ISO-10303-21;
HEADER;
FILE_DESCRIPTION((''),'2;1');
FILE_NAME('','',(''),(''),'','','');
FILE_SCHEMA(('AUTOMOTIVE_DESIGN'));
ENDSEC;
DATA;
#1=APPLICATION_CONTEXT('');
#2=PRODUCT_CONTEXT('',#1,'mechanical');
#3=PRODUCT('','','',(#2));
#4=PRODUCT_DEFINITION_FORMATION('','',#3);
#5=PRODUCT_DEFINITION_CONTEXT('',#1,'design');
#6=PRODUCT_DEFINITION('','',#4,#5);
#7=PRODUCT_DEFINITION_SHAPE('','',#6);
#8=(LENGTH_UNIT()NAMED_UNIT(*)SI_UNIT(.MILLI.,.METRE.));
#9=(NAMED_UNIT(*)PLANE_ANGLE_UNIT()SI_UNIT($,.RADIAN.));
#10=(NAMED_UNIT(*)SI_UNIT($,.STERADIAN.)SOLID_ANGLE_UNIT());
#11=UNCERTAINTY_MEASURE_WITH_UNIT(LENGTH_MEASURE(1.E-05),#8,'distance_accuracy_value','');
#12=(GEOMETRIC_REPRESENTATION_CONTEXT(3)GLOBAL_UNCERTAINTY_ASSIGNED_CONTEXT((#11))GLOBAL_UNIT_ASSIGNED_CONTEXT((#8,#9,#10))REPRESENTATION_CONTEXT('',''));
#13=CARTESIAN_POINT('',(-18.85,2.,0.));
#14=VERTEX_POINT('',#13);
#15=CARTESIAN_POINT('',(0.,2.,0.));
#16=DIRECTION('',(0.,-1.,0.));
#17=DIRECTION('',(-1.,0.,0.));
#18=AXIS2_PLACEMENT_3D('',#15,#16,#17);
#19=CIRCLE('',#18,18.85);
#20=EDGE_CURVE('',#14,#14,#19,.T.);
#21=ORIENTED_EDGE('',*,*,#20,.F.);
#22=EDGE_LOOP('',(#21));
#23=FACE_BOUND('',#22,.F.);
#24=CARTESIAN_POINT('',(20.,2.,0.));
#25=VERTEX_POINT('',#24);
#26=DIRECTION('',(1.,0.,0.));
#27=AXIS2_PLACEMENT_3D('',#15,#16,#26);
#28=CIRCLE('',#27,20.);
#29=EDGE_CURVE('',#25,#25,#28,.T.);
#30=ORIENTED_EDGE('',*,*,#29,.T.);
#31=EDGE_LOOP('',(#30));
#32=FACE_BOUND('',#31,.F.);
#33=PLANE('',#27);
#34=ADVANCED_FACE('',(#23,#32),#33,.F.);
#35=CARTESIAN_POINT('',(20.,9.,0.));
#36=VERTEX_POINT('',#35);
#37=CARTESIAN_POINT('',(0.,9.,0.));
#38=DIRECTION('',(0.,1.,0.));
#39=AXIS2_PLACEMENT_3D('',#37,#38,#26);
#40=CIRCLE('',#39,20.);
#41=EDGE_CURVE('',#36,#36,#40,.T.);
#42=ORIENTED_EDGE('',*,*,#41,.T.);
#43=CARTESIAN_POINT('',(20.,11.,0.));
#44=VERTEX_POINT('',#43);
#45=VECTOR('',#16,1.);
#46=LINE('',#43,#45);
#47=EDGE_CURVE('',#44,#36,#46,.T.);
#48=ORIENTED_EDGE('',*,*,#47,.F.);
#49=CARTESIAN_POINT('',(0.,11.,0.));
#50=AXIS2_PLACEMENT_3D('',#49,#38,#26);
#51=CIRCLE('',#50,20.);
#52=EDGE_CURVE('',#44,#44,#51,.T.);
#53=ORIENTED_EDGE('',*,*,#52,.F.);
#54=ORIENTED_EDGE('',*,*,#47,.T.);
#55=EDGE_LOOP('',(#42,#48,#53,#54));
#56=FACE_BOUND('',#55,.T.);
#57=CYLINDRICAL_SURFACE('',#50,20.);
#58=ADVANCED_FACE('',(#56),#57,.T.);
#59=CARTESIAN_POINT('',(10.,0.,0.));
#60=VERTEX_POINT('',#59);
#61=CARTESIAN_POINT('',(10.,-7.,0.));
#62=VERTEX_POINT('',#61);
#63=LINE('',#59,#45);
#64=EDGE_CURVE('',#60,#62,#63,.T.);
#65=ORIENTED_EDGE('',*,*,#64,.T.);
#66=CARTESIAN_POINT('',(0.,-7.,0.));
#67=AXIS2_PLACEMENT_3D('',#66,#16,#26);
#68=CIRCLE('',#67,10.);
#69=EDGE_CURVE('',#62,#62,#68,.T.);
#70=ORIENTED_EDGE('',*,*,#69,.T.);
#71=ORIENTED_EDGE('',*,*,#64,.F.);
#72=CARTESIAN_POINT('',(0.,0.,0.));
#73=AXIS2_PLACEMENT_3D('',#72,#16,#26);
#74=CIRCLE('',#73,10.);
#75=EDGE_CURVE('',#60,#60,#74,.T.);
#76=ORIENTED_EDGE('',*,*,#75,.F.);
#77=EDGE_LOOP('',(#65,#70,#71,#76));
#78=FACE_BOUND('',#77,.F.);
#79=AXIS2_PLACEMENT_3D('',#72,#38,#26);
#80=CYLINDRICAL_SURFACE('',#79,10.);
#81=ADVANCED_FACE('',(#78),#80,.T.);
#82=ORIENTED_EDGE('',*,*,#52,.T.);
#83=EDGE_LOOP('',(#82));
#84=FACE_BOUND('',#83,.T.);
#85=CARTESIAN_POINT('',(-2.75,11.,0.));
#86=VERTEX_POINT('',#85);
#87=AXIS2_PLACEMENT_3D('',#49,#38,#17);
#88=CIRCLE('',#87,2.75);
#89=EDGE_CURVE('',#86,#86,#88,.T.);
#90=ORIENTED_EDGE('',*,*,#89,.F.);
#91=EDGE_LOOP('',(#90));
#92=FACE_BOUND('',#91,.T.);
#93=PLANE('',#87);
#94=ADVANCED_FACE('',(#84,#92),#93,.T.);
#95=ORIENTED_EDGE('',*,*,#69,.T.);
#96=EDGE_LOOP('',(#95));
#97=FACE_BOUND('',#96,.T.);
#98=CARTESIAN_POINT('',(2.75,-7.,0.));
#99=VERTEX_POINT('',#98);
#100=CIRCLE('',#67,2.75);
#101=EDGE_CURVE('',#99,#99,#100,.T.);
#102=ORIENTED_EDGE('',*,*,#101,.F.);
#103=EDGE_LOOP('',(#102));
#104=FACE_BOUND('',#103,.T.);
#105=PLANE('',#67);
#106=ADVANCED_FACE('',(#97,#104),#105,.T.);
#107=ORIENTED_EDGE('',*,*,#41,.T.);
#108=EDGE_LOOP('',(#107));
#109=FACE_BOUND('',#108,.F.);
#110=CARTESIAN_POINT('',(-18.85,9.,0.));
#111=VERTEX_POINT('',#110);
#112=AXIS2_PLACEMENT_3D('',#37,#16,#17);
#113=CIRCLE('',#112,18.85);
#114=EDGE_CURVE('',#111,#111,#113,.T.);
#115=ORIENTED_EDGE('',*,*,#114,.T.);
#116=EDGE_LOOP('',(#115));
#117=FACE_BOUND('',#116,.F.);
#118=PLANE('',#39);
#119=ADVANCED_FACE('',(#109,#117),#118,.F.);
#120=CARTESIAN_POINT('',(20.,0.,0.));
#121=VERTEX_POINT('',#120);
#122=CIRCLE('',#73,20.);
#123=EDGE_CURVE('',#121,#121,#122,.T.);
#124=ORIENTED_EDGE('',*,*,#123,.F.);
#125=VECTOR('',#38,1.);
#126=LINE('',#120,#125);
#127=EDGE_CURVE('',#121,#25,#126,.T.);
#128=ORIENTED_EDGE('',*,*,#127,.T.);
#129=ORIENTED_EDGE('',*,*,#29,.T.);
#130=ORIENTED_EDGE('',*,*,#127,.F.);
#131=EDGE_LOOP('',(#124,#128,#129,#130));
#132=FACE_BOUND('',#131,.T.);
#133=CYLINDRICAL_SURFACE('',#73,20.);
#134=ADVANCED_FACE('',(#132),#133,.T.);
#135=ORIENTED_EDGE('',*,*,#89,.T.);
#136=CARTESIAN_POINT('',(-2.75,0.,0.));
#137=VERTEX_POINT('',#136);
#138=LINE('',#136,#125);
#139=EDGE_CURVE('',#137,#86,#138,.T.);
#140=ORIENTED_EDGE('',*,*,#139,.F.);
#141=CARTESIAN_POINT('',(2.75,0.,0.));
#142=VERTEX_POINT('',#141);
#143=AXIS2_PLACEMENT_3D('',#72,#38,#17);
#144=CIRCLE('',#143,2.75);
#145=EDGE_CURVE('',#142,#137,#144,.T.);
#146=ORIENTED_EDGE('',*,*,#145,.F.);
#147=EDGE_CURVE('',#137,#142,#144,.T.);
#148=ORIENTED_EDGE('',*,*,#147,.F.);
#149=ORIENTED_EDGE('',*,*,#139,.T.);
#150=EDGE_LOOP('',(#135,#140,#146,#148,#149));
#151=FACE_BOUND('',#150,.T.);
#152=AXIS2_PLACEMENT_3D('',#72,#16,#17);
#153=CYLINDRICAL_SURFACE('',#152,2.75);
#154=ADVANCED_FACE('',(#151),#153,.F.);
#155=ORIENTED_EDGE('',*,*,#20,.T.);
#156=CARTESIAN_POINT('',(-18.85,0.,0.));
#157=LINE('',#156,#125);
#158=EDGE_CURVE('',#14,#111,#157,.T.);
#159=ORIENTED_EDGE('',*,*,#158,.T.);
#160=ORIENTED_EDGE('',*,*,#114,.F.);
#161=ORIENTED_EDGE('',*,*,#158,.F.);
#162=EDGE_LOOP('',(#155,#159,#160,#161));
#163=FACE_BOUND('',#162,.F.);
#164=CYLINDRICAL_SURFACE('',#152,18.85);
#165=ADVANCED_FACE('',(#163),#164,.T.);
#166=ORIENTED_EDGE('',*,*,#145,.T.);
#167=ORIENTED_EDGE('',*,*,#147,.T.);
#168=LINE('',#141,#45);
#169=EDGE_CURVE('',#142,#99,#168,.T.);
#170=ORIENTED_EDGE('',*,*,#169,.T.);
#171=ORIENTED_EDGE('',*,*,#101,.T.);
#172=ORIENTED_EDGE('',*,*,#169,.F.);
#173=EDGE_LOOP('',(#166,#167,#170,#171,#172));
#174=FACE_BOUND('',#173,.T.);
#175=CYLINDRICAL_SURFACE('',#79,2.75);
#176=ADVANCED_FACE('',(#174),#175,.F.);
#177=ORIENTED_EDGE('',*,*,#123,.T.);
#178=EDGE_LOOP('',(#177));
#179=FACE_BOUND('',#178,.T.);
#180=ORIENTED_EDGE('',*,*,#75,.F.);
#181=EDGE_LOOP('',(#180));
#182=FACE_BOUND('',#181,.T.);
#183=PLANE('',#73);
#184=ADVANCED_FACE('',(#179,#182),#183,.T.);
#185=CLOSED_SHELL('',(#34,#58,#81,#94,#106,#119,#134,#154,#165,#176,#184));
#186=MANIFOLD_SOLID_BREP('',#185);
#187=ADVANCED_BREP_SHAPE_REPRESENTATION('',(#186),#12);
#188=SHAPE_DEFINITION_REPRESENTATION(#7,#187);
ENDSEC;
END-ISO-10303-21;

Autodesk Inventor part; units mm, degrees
ref_plane "YZ Plane" through (0, 0, 0) normal (1, 0, 0) x (0, 1, 0)
ref_plane "XZ Plane" through (0, 0, 0) normal (0, 1, 0) x (-1, 0, 0)
ref_plane "XY Plane" through (0, 0, 0) normal (0, 0, 1) x (1, 0, 0)
sketch "Sketch1" plane through (0, 0, 0) normal (0, 1, 0) x (-1, 0, 0)
  circle A0 centre (0, 0) radius 18.85
  circle A1 centre (0, 0) radius 2.75
  dimension "d0" = 37.7
  dimension "d1" = 5.5
extrude "Extrusion1" add sketch "Sketch1" along normal blind 11
sketch "Sketch2" plane through (0, 11, 0) normal (0, 1, 0) x (1, 0, 0)
  circle A0 centre (0, 0) radius 20
  circle A1 centre (0, 0) radius 18.85
  dimension "d4" = 40
extrude "Extrusion2" add sketch "Sketch2" against normal blind 2
sketch "Sketch3" plane through (0, 0, 0) normal (0, -1, 0) x (1, 0, 0)
  circle A0 centre (0, 0) radius 20
  circle A1 centre (0, 0) radius 18.85
  dimension "d7" = 40
  dimension "d8" = 37.7
extrude "Extrusion3" add sketch "Sketch3" against normal blind 2
sketch "Sketch4" plane through (0, 0, 0) normal (0, -1, 0) x (1, 0, 0)
  circle A0 centre (0, 0) radius 10
  circle A1 centre (0, 0) radius 2.75
  dimension "d11" = 20
  dimension "d12" = 5.5
extrude "Extrusion4" add sketch "Sketch4" along normal blind 7
